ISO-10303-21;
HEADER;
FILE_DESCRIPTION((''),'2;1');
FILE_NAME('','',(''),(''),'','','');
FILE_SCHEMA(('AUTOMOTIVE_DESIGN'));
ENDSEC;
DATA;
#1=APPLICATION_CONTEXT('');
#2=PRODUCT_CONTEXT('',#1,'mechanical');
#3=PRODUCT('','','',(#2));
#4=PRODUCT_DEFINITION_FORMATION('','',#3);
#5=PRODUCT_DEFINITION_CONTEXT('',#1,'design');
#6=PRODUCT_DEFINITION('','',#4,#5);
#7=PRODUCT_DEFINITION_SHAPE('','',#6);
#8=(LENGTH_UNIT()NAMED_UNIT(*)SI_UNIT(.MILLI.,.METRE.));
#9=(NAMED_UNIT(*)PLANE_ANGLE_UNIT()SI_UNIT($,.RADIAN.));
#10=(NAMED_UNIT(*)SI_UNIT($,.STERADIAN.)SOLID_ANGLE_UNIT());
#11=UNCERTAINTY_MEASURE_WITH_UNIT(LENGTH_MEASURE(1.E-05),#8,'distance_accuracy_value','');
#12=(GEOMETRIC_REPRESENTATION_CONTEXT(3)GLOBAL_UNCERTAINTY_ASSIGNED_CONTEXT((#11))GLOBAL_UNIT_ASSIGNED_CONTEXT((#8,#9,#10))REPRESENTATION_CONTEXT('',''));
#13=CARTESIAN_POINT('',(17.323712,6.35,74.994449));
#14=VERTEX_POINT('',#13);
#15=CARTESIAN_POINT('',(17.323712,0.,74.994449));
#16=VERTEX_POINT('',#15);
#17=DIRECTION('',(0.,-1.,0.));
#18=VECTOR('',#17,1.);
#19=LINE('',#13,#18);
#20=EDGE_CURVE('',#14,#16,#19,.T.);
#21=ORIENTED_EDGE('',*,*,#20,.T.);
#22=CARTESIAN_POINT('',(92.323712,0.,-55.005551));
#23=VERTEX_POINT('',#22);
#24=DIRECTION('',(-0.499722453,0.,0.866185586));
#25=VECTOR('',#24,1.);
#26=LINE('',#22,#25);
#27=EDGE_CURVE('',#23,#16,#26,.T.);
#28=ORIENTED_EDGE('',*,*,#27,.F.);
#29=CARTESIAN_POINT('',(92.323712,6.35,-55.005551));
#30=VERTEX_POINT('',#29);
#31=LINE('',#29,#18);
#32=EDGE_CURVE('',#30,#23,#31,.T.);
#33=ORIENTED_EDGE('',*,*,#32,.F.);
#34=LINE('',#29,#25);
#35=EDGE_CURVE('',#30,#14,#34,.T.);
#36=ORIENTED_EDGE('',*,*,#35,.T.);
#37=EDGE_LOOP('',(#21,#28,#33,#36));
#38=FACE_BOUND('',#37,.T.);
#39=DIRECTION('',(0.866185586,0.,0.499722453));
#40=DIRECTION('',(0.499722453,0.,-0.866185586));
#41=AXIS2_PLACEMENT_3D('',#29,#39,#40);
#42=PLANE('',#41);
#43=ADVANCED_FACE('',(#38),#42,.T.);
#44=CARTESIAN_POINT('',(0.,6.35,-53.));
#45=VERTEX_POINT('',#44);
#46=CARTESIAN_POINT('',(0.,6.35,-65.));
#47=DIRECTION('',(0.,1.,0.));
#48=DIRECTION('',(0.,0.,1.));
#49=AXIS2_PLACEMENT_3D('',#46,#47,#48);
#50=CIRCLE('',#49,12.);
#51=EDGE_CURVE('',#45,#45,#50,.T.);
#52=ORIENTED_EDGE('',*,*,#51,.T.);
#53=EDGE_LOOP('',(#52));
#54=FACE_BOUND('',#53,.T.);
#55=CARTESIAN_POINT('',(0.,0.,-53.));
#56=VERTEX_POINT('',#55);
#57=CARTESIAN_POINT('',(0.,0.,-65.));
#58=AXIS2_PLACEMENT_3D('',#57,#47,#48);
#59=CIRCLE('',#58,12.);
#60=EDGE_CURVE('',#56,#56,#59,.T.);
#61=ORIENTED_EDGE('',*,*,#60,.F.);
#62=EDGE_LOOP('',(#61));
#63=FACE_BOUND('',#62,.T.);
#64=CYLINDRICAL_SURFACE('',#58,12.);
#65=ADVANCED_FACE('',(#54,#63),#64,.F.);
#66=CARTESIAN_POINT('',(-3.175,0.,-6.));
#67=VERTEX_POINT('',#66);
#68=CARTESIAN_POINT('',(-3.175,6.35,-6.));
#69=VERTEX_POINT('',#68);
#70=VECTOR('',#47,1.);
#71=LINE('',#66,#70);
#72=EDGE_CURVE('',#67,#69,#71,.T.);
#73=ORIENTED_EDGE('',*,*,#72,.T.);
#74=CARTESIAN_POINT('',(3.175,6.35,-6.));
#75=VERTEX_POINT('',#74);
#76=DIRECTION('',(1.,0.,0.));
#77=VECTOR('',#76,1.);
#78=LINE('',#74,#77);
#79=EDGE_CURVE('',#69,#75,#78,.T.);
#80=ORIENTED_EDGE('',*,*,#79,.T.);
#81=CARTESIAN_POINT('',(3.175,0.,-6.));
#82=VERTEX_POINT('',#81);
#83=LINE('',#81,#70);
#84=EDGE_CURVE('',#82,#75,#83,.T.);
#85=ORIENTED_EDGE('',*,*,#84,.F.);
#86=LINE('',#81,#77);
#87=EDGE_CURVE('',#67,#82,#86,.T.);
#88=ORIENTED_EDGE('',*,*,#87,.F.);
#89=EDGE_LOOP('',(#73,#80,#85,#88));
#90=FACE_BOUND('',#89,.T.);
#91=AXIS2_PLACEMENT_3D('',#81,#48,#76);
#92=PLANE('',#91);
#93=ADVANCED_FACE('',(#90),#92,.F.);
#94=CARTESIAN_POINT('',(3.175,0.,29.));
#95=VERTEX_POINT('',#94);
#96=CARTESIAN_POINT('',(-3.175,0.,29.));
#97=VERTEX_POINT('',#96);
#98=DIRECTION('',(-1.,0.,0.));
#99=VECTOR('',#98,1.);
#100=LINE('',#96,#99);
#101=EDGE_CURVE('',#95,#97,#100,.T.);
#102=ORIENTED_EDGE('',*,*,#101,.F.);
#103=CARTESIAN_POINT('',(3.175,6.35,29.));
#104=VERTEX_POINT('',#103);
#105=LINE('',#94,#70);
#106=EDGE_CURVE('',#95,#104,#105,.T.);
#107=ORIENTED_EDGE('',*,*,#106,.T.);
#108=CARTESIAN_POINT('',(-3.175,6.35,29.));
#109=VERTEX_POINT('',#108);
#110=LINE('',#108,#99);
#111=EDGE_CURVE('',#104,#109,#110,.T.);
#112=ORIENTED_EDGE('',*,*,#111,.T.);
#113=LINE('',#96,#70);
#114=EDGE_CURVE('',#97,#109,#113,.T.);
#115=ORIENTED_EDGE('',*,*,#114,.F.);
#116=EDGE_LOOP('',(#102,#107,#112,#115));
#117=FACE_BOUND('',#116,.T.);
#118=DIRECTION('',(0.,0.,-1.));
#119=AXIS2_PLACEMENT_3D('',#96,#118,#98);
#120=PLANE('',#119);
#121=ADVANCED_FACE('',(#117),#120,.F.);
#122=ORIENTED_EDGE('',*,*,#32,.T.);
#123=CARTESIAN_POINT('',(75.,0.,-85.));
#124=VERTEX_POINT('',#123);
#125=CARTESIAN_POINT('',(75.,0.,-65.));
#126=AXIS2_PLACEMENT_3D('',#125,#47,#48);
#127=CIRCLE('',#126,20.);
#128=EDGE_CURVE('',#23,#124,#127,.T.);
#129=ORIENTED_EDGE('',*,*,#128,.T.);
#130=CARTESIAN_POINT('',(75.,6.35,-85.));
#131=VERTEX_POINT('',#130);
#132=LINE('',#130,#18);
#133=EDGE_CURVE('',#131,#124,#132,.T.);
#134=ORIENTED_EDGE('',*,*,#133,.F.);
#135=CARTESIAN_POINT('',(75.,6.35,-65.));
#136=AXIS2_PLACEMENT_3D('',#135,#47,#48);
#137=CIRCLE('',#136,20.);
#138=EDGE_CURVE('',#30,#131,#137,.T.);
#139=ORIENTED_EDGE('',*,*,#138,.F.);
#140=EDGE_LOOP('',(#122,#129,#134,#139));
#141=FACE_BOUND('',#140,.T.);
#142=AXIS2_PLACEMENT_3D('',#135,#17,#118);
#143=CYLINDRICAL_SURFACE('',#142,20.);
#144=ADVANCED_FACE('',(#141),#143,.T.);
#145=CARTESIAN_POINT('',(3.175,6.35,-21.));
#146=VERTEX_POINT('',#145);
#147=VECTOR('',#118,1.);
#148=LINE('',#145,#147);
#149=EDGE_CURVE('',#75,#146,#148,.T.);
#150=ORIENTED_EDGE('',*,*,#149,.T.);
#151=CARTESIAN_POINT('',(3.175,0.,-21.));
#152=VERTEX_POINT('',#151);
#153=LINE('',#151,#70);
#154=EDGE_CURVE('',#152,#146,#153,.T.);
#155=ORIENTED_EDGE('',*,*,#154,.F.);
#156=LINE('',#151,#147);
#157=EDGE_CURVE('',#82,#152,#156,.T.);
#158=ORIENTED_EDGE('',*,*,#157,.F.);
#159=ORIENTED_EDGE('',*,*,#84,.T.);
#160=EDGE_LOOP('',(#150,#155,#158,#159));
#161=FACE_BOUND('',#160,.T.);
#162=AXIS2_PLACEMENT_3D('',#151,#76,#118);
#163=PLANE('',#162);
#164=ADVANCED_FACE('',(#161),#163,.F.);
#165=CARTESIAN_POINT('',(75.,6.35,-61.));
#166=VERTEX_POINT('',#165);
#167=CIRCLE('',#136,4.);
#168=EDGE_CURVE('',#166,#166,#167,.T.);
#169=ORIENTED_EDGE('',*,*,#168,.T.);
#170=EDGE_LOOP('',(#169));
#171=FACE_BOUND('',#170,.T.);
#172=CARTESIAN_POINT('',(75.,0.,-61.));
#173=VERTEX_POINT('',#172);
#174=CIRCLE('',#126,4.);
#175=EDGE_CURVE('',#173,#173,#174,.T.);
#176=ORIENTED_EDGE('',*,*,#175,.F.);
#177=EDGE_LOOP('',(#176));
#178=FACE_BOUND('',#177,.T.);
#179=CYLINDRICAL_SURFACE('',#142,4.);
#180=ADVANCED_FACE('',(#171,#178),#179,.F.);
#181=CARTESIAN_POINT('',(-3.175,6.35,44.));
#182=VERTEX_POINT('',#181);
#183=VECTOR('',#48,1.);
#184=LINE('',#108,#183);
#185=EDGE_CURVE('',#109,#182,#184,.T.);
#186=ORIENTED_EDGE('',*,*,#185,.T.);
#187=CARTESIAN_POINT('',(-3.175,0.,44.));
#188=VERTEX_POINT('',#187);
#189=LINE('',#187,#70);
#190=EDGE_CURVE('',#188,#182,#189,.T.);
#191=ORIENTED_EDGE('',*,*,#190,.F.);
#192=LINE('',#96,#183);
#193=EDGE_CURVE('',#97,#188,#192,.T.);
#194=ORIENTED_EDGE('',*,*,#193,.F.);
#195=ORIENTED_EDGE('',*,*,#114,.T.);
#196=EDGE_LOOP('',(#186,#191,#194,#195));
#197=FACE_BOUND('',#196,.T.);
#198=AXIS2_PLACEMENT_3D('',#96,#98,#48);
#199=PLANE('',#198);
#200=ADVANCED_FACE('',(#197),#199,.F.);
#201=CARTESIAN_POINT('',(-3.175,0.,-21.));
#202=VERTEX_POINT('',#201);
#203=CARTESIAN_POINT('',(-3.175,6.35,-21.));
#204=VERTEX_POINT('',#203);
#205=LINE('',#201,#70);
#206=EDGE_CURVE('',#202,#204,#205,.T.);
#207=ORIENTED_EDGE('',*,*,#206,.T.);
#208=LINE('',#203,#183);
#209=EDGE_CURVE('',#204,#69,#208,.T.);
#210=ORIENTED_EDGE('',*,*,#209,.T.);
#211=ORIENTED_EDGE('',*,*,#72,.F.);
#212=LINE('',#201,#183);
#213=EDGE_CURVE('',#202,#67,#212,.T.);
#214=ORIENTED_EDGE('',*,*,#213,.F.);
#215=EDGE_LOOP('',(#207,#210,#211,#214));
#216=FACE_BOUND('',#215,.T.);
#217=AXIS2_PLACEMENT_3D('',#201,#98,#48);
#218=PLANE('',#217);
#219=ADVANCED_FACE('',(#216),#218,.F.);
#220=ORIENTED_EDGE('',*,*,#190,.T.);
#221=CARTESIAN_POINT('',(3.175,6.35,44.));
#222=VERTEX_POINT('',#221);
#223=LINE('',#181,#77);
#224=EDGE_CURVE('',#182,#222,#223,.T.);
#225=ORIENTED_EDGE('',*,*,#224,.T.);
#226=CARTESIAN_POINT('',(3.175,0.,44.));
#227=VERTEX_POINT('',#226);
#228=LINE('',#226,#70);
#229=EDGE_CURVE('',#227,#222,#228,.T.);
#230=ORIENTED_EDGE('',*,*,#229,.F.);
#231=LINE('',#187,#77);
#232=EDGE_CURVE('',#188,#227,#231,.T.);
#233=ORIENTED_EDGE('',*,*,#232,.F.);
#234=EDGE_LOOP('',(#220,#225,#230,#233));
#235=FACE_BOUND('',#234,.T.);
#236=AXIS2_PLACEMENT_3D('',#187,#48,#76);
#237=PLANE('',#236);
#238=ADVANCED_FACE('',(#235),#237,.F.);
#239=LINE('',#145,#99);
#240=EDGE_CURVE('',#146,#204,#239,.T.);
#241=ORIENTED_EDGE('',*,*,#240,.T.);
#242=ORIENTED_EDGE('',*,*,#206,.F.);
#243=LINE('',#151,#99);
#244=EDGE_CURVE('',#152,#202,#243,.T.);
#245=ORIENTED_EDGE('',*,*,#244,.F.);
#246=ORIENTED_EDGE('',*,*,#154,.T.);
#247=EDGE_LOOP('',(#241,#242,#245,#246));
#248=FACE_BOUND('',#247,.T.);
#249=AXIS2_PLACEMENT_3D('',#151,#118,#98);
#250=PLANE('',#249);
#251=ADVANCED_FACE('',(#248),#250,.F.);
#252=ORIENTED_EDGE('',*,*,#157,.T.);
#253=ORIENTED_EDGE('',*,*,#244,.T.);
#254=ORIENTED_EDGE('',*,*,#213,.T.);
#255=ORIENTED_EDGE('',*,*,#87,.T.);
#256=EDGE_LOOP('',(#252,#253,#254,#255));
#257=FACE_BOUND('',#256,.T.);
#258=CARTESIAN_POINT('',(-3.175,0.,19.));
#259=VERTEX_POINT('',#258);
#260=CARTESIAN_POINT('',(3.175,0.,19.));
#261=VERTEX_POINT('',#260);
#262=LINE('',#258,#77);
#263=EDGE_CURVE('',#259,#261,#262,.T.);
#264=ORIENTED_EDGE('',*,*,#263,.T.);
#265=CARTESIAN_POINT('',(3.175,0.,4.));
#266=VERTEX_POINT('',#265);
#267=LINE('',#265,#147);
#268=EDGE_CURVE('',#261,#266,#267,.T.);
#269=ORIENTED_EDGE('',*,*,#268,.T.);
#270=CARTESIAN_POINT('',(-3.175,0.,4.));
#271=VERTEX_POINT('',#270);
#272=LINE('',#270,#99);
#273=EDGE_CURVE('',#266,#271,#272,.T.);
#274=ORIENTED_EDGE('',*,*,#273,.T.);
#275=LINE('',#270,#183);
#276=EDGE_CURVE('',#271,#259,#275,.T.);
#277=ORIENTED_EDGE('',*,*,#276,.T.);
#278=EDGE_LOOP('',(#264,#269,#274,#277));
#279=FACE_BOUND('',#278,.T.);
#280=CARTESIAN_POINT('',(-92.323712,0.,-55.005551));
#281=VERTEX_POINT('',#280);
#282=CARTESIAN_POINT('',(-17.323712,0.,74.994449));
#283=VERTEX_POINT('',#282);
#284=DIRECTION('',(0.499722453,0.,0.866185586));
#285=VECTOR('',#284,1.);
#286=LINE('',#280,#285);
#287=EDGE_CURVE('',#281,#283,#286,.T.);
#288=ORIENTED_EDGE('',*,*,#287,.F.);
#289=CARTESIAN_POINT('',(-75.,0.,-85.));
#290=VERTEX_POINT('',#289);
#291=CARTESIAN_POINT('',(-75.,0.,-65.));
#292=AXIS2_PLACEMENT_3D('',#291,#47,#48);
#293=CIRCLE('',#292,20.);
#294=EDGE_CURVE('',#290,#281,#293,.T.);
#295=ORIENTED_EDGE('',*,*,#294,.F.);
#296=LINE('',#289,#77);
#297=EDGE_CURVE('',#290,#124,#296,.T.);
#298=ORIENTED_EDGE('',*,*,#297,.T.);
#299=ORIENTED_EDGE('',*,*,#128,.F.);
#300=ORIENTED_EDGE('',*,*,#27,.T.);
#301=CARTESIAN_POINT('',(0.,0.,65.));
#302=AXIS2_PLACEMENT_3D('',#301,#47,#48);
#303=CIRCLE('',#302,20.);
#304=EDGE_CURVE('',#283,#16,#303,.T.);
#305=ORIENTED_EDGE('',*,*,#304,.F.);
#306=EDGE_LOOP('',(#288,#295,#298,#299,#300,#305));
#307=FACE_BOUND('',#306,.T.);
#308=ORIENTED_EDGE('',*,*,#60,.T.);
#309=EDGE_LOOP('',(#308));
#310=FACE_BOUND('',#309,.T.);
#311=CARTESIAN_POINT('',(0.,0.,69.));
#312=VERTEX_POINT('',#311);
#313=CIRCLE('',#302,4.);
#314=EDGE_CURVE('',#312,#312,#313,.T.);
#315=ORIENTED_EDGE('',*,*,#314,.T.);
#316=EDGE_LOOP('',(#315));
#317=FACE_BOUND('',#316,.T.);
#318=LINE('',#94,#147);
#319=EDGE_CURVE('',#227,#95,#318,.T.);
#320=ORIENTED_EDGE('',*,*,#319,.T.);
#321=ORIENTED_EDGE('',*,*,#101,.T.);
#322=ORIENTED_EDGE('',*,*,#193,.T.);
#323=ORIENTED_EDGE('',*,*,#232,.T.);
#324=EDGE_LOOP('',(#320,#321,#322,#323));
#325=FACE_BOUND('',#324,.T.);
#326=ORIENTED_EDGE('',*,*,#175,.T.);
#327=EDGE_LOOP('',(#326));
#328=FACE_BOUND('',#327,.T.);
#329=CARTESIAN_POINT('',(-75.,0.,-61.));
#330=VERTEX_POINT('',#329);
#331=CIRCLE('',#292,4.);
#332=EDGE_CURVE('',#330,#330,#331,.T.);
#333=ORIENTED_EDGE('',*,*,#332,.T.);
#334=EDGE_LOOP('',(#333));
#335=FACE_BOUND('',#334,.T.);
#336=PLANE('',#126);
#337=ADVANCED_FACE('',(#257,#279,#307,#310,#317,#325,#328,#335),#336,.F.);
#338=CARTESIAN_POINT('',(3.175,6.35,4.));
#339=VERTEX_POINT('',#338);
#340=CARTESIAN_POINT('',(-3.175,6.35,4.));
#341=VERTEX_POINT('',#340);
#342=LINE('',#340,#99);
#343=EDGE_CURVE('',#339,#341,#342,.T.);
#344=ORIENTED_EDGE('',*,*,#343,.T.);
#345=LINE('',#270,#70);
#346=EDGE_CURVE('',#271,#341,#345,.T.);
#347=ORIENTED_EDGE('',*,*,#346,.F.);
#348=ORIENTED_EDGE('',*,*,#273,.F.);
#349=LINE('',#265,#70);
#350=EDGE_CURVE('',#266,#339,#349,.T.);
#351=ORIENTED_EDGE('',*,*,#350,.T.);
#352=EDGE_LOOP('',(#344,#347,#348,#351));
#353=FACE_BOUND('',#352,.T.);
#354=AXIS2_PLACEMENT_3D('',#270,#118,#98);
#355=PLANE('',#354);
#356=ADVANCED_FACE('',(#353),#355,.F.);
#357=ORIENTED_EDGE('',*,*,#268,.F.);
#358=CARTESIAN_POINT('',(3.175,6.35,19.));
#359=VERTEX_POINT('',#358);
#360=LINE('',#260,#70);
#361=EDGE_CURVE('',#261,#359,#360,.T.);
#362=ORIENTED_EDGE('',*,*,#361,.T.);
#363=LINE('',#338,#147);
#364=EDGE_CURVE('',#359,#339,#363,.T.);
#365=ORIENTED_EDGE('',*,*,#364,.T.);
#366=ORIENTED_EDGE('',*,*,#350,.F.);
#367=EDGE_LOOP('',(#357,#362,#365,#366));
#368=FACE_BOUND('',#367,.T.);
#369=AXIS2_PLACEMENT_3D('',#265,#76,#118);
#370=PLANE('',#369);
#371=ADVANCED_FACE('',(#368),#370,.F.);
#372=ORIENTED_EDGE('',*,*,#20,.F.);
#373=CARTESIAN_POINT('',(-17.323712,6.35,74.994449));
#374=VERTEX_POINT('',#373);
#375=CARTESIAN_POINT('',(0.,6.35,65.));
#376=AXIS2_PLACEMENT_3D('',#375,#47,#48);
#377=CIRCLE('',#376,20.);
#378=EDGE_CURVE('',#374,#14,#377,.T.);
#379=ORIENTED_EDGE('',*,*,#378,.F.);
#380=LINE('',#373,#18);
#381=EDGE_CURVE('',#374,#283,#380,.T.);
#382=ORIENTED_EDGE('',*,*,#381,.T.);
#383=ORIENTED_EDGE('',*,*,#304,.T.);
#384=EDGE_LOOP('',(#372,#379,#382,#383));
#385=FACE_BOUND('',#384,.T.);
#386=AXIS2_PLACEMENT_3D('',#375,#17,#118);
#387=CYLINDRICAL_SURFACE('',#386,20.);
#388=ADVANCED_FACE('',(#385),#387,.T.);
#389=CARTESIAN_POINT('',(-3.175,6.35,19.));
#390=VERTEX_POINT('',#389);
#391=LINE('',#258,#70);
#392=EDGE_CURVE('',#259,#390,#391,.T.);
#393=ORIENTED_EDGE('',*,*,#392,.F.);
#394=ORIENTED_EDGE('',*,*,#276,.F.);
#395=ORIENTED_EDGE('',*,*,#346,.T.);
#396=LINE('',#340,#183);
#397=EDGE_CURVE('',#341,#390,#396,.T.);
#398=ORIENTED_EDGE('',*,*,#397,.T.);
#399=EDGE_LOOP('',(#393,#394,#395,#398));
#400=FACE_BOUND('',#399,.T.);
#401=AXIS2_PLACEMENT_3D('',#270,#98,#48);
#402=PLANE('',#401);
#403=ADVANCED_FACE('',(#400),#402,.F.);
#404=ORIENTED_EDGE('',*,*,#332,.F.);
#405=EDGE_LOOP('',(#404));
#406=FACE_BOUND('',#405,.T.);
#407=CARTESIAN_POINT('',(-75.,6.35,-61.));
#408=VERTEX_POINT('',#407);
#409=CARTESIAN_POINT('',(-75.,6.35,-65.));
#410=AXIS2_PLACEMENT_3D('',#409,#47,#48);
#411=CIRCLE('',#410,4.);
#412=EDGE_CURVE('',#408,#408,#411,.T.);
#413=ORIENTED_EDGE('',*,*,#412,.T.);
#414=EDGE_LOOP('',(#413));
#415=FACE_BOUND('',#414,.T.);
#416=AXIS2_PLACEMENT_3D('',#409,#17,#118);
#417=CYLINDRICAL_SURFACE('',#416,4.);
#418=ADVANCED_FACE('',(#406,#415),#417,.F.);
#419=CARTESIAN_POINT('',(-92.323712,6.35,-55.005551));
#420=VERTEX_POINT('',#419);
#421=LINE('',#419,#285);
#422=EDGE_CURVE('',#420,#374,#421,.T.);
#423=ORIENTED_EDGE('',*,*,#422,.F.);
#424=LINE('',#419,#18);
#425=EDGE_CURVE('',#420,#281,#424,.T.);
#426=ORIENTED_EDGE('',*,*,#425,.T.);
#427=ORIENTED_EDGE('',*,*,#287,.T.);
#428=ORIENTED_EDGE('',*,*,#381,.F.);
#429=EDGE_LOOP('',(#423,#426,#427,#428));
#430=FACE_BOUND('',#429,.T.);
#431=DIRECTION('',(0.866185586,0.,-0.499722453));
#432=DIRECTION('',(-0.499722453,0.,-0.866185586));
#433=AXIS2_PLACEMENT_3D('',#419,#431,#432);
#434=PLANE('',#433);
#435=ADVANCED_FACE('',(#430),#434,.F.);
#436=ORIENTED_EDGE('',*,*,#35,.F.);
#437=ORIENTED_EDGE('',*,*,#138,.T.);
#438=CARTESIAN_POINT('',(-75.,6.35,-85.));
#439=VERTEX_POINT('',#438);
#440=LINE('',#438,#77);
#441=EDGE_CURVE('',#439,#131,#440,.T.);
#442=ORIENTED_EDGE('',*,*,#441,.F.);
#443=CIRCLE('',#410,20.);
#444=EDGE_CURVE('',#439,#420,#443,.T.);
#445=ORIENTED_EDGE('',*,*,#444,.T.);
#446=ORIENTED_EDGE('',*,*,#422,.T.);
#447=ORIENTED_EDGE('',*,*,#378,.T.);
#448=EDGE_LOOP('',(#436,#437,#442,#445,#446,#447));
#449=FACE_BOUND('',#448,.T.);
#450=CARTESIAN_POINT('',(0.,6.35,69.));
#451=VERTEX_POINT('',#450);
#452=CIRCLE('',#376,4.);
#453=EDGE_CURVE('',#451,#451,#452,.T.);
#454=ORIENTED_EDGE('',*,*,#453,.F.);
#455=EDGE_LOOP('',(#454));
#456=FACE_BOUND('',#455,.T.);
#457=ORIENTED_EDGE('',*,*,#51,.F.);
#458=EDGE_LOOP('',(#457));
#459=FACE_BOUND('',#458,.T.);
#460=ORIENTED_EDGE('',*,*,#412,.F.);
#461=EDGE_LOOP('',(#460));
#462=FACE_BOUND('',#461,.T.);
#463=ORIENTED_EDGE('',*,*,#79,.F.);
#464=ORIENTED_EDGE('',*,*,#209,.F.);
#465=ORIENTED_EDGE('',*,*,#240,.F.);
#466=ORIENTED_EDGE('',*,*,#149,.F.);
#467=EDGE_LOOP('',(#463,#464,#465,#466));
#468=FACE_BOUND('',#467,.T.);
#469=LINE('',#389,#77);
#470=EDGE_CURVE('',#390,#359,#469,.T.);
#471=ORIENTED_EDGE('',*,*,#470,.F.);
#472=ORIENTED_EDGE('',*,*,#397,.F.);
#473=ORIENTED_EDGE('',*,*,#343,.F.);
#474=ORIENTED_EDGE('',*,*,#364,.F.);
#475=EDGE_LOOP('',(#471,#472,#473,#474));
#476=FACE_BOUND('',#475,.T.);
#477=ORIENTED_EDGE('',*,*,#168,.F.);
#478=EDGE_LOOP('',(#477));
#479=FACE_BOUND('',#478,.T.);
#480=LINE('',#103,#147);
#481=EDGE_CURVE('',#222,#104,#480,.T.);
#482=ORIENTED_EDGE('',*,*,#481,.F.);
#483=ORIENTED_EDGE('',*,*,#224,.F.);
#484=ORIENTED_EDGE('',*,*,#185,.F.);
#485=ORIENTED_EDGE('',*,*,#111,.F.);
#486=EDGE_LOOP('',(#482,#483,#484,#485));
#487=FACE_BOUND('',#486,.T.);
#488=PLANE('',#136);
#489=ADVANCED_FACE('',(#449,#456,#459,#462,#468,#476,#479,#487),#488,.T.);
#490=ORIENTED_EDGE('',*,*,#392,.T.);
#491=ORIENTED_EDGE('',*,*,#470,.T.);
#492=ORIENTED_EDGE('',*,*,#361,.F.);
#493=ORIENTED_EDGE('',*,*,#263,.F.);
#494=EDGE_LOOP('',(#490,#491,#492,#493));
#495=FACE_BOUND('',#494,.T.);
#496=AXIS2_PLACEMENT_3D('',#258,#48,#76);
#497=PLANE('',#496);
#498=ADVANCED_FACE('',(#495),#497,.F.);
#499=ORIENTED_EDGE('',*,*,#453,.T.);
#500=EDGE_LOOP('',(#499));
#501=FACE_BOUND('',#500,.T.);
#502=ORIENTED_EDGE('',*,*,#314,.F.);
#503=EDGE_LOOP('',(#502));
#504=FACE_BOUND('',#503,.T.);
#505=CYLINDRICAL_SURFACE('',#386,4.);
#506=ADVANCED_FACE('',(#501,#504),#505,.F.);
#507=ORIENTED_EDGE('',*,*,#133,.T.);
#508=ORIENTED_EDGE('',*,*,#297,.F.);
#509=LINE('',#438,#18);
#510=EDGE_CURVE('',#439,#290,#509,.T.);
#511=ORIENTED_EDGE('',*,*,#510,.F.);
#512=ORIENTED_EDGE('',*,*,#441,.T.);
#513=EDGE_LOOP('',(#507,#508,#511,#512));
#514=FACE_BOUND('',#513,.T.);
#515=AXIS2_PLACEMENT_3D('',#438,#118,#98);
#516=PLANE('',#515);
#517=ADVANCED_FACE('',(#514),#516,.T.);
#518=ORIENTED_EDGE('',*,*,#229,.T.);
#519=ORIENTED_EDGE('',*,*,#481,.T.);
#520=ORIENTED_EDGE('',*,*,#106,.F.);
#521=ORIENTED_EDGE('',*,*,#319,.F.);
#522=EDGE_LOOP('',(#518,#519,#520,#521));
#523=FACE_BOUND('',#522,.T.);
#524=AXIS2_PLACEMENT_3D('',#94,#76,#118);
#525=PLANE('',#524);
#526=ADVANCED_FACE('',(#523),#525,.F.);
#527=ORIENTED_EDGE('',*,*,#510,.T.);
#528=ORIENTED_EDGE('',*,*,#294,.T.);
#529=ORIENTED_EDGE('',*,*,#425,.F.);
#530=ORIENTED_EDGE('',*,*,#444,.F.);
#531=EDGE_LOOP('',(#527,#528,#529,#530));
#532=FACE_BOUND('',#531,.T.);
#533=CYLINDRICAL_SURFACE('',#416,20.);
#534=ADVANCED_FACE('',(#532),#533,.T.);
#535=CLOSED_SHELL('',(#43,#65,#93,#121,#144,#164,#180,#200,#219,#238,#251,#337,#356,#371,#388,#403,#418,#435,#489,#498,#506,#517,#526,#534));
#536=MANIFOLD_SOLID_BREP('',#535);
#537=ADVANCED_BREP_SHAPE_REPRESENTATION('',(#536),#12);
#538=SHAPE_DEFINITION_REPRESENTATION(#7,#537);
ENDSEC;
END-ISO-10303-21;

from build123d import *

# Parameters (mm, degrees)
ESQUISSE1_R             = 4
BOSS_EXTRU_1_DEPTH      = 6.35
ESQUISSE2_W             = 6.35
ESQUISSE2_H             = 15
ENL_V_MAT_EXTRU_1_DEPTH = 128.633547706
ESQUISSE3_R             = 12
ENL_V_MAT_EXTRU_2_DEPTH = 128.633547706


with BuildPart() as part:
    # Esquisse1 → Boss.-Extru.1 (new body)
    with BuildSketch(Plane(origin=(0, 0, 0), x_dir=(1, 0, 0), z_dir=(0, 1, 0))):
        with BuildLine():
            Line((-92.323711721, 55.00555093), (-17.323711721, -74.99444907))
            ThreePointArc((-17.323711721, -74.99444907), (0, -85), (17.323711721, -74.99444907))
            Line((17.323711721, -74.99444907), (92.323711721, 55.00555093))
            ThreePointArc((92.323711721, 55.00555093), (92.318905586, 75.00277508), (75, 85))
            Line((75, 85), (-75, 85))
            ThreePointArc((-75, 85), (-92.318905586, 75.00277508), (-92.323711721, 55.00555093))
        make_face()
        with Locations(Location((-75, 65, 0), (0, 0, 270))):
            Circle(ESQUISSE1_R, mode=Mode.SUBTRACT)
        with Locations(Location((75, 65, 0), (0, 0, 270))):
            Circle(ESQUISSE1_R, mode=Mode.SUBTRACT)
        with Locations(Location((0, -65, 0), (0, 0, 270))):
            Circle(ESQUISSE1_R, mode=Mode.SUBTRACT)
    extrude(amount=BOSS_EXTRU_1_DEPTH)

    # Esquisse2 → Enlèv. mat.-Extru.1 (cut, through all)
    with BuildSketch(Plane(origin=(0, 6.35, 0), x_dir=(1, 0, 0), z_dir=(0, 1, 0))):
        with Locations((0, -11.5)):
            Rectangle(ESQUISSE2_W, ESQUISSE2_H)
        with Locations((0, 13.5)):
            Rectangle(ESQUISSE2_W, ESQUISSE2_H)
        with Locations((0, -36.5)):
            Rectangle(ESQUISSE2_W, ESQUISSE2_H)
    extrude(amount=-ENL_V_MAT_EXTRU_1_DEPTH, mode=Mode.SUBTRACT)

    # Esquisse3 → Enlèv. mat.-Extru.2 (cut, through all)
    with BuildSketch(Plane(origin=(0, 6.35, 0), x_dir=(1, 0, 0), z_dir=(0, 1, 0))):
        with Locations(Location((0, 65, 0), (0, 0, 270))):
            Circle(ESQUISSE3_R)
    extrude(amount=-ENL_V_MAT_EXTRU_2_DEPTH, mode=Mode.SUBTRACT)


solid = part.part
